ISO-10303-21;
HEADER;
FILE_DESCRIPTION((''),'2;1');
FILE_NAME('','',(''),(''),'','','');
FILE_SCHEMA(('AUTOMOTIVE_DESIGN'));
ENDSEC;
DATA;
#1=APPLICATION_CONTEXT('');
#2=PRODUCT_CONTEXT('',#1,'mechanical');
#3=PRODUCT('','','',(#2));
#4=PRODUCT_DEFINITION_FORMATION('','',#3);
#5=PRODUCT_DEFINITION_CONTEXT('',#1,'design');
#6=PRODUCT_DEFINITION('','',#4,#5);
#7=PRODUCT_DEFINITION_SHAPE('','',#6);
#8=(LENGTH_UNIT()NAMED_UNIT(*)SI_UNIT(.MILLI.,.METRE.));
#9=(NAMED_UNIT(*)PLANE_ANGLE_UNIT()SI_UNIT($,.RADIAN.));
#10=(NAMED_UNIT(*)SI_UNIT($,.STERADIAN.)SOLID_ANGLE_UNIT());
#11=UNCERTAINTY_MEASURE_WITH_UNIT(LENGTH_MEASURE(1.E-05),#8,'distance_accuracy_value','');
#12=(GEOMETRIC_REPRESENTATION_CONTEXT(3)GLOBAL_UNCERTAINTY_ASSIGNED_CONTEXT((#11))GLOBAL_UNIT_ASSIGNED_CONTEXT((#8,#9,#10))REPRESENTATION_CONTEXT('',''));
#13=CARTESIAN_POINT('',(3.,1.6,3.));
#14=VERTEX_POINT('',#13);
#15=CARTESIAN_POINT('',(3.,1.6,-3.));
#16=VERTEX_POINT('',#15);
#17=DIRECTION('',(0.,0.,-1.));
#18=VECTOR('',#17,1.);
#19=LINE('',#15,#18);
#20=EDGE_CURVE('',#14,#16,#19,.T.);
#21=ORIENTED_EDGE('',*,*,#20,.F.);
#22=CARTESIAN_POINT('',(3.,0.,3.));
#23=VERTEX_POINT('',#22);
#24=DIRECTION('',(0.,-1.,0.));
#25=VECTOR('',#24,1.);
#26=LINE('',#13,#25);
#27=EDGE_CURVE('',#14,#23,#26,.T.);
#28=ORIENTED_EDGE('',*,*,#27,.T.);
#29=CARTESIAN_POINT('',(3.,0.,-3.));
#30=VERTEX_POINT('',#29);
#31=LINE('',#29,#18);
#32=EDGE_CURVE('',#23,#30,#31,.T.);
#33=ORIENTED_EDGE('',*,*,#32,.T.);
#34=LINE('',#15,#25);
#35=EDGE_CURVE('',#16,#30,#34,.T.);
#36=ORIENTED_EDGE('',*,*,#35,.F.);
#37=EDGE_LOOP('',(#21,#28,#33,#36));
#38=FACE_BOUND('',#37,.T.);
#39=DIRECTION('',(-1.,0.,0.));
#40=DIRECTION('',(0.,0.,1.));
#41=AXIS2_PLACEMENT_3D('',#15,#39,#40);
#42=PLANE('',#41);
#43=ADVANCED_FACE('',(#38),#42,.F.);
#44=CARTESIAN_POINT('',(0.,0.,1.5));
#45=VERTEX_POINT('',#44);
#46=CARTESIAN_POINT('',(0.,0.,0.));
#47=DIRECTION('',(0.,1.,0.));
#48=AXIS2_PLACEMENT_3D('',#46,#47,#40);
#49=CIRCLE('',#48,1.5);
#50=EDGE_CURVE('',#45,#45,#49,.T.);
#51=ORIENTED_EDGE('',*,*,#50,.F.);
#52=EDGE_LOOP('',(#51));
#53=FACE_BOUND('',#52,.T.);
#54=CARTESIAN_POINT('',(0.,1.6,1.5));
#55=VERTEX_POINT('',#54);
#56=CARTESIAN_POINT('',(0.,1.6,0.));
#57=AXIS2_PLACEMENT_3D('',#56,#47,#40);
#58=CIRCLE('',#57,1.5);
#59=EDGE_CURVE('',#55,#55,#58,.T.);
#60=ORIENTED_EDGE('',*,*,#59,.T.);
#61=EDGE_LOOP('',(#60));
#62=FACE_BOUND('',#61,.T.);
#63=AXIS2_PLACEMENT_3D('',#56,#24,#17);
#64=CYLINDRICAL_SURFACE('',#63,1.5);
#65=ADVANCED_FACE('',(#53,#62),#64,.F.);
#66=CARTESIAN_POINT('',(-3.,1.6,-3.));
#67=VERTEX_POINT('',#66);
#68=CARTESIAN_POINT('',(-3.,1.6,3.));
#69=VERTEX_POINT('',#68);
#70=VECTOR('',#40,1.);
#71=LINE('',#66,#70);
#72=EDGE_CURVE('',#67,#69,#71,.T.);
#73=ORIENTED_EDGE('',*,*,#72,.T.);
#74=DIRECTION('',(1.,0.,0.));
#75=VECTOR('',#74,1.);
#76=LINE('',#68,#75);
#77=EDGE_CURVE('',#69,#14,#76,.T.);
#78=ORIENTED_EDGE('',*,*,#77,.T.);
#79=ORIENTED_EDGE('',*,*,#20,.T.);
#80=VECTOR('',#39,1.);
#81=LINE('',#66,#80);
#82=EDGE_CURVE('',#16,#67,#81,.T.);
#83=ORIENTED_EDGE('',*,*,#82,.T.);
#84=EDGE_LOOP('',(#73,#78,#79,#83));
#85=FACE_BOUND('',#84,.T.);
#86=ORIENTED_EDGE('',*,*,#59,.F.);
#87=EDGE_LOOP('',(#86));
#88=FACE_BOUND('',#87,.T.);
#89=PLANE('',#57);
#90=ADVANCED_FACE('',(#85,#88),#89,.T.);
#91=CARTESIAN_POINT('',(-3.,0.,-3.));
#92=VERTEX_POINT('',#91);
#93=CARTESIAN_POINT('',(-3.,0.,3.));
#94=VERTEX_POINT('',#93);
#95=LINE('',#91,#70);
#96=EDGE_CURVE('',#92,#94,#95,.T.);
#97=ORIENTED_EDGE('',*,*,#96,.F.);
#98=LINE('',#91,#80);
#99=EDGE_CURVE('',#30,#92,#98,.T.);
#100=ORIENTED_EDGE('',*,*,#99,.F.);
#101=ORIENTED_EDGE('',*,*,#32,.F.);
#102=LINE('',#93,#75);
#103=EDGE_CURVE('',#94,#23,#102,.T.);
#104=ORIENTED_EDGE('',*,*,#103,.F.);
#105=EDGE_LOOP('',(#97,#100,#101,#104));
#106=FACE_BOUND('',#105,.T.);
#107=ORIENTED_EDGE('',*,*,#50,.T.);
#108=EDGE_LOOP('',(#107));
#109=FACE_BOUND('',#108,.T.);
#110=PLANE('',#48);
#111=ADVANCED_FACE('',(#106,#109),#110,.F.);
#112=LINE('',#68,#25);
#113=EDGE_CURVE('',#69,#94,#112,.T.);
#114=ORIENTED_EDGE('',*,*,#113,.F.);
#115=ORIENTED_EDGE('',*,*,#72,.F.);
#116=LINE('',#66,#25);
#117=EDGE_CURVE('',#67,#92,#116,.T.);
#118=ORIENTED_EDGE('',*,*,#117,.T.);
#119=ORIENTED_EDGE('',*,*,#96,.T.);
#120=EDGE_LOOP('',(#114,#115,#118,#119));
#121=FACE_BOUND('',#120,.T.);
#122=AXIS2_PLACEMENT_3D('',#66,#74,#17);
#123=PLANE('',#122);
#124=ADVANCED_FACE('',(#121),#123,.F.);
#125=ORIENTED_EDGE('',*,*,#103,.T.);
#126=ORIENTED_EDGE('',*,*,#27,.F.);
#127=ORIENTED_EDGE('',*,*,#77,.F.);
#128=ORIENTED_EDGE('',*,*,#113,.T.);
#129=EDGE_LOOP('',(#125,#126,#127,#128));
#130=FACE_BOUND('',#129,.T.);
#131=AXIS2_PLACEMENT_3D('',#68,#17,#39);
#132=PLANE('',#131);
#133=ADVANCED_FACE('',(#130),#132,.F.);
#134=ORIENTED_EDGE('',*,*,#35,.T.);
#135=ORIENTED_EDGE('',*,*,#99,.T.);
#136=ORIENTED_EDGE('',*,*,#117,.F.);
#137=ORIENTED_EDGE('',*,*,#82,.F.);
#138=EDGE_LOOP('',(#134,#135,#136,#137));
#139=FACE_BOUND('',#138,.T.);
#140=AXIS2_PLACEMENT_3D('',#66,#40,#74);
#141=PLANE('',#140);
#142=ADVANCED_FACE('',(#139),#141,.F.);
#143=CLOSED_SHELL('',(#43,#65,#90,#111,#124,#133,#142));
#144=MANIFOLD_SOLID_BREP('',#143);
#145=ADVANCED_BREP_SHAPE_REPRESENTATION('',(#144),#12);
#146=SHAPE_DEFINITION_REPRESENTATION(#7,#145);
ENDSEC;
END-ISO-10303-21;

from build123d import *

# Parameters (mm, degrees)
SKETCH1_W           = 6
SKETCH1_H           = 6
SKETCH1_R           = 1.5
BOSS_EXTRUDE1_DEPTH = 1.6


with BuildPart() as part:
    # Sketch1 → Boss-Extrude1 (new body)
    with BuildSketch(Plane(origin=(0, 0, 0), x_dir=(1, 0, 0), z_dir=(0, 1, 0))):
        Rectangle(SKETCH1_W, SKETCH1_H)
        with Locations(Location((0, 0, 0), (0, 0, 270))):
            Circle(SKETCH1_R, mode=Mode.SUBTRACT)
    extrude(amount=BOSS_EXTRUDE1_DEPTH)


solid = part.part
